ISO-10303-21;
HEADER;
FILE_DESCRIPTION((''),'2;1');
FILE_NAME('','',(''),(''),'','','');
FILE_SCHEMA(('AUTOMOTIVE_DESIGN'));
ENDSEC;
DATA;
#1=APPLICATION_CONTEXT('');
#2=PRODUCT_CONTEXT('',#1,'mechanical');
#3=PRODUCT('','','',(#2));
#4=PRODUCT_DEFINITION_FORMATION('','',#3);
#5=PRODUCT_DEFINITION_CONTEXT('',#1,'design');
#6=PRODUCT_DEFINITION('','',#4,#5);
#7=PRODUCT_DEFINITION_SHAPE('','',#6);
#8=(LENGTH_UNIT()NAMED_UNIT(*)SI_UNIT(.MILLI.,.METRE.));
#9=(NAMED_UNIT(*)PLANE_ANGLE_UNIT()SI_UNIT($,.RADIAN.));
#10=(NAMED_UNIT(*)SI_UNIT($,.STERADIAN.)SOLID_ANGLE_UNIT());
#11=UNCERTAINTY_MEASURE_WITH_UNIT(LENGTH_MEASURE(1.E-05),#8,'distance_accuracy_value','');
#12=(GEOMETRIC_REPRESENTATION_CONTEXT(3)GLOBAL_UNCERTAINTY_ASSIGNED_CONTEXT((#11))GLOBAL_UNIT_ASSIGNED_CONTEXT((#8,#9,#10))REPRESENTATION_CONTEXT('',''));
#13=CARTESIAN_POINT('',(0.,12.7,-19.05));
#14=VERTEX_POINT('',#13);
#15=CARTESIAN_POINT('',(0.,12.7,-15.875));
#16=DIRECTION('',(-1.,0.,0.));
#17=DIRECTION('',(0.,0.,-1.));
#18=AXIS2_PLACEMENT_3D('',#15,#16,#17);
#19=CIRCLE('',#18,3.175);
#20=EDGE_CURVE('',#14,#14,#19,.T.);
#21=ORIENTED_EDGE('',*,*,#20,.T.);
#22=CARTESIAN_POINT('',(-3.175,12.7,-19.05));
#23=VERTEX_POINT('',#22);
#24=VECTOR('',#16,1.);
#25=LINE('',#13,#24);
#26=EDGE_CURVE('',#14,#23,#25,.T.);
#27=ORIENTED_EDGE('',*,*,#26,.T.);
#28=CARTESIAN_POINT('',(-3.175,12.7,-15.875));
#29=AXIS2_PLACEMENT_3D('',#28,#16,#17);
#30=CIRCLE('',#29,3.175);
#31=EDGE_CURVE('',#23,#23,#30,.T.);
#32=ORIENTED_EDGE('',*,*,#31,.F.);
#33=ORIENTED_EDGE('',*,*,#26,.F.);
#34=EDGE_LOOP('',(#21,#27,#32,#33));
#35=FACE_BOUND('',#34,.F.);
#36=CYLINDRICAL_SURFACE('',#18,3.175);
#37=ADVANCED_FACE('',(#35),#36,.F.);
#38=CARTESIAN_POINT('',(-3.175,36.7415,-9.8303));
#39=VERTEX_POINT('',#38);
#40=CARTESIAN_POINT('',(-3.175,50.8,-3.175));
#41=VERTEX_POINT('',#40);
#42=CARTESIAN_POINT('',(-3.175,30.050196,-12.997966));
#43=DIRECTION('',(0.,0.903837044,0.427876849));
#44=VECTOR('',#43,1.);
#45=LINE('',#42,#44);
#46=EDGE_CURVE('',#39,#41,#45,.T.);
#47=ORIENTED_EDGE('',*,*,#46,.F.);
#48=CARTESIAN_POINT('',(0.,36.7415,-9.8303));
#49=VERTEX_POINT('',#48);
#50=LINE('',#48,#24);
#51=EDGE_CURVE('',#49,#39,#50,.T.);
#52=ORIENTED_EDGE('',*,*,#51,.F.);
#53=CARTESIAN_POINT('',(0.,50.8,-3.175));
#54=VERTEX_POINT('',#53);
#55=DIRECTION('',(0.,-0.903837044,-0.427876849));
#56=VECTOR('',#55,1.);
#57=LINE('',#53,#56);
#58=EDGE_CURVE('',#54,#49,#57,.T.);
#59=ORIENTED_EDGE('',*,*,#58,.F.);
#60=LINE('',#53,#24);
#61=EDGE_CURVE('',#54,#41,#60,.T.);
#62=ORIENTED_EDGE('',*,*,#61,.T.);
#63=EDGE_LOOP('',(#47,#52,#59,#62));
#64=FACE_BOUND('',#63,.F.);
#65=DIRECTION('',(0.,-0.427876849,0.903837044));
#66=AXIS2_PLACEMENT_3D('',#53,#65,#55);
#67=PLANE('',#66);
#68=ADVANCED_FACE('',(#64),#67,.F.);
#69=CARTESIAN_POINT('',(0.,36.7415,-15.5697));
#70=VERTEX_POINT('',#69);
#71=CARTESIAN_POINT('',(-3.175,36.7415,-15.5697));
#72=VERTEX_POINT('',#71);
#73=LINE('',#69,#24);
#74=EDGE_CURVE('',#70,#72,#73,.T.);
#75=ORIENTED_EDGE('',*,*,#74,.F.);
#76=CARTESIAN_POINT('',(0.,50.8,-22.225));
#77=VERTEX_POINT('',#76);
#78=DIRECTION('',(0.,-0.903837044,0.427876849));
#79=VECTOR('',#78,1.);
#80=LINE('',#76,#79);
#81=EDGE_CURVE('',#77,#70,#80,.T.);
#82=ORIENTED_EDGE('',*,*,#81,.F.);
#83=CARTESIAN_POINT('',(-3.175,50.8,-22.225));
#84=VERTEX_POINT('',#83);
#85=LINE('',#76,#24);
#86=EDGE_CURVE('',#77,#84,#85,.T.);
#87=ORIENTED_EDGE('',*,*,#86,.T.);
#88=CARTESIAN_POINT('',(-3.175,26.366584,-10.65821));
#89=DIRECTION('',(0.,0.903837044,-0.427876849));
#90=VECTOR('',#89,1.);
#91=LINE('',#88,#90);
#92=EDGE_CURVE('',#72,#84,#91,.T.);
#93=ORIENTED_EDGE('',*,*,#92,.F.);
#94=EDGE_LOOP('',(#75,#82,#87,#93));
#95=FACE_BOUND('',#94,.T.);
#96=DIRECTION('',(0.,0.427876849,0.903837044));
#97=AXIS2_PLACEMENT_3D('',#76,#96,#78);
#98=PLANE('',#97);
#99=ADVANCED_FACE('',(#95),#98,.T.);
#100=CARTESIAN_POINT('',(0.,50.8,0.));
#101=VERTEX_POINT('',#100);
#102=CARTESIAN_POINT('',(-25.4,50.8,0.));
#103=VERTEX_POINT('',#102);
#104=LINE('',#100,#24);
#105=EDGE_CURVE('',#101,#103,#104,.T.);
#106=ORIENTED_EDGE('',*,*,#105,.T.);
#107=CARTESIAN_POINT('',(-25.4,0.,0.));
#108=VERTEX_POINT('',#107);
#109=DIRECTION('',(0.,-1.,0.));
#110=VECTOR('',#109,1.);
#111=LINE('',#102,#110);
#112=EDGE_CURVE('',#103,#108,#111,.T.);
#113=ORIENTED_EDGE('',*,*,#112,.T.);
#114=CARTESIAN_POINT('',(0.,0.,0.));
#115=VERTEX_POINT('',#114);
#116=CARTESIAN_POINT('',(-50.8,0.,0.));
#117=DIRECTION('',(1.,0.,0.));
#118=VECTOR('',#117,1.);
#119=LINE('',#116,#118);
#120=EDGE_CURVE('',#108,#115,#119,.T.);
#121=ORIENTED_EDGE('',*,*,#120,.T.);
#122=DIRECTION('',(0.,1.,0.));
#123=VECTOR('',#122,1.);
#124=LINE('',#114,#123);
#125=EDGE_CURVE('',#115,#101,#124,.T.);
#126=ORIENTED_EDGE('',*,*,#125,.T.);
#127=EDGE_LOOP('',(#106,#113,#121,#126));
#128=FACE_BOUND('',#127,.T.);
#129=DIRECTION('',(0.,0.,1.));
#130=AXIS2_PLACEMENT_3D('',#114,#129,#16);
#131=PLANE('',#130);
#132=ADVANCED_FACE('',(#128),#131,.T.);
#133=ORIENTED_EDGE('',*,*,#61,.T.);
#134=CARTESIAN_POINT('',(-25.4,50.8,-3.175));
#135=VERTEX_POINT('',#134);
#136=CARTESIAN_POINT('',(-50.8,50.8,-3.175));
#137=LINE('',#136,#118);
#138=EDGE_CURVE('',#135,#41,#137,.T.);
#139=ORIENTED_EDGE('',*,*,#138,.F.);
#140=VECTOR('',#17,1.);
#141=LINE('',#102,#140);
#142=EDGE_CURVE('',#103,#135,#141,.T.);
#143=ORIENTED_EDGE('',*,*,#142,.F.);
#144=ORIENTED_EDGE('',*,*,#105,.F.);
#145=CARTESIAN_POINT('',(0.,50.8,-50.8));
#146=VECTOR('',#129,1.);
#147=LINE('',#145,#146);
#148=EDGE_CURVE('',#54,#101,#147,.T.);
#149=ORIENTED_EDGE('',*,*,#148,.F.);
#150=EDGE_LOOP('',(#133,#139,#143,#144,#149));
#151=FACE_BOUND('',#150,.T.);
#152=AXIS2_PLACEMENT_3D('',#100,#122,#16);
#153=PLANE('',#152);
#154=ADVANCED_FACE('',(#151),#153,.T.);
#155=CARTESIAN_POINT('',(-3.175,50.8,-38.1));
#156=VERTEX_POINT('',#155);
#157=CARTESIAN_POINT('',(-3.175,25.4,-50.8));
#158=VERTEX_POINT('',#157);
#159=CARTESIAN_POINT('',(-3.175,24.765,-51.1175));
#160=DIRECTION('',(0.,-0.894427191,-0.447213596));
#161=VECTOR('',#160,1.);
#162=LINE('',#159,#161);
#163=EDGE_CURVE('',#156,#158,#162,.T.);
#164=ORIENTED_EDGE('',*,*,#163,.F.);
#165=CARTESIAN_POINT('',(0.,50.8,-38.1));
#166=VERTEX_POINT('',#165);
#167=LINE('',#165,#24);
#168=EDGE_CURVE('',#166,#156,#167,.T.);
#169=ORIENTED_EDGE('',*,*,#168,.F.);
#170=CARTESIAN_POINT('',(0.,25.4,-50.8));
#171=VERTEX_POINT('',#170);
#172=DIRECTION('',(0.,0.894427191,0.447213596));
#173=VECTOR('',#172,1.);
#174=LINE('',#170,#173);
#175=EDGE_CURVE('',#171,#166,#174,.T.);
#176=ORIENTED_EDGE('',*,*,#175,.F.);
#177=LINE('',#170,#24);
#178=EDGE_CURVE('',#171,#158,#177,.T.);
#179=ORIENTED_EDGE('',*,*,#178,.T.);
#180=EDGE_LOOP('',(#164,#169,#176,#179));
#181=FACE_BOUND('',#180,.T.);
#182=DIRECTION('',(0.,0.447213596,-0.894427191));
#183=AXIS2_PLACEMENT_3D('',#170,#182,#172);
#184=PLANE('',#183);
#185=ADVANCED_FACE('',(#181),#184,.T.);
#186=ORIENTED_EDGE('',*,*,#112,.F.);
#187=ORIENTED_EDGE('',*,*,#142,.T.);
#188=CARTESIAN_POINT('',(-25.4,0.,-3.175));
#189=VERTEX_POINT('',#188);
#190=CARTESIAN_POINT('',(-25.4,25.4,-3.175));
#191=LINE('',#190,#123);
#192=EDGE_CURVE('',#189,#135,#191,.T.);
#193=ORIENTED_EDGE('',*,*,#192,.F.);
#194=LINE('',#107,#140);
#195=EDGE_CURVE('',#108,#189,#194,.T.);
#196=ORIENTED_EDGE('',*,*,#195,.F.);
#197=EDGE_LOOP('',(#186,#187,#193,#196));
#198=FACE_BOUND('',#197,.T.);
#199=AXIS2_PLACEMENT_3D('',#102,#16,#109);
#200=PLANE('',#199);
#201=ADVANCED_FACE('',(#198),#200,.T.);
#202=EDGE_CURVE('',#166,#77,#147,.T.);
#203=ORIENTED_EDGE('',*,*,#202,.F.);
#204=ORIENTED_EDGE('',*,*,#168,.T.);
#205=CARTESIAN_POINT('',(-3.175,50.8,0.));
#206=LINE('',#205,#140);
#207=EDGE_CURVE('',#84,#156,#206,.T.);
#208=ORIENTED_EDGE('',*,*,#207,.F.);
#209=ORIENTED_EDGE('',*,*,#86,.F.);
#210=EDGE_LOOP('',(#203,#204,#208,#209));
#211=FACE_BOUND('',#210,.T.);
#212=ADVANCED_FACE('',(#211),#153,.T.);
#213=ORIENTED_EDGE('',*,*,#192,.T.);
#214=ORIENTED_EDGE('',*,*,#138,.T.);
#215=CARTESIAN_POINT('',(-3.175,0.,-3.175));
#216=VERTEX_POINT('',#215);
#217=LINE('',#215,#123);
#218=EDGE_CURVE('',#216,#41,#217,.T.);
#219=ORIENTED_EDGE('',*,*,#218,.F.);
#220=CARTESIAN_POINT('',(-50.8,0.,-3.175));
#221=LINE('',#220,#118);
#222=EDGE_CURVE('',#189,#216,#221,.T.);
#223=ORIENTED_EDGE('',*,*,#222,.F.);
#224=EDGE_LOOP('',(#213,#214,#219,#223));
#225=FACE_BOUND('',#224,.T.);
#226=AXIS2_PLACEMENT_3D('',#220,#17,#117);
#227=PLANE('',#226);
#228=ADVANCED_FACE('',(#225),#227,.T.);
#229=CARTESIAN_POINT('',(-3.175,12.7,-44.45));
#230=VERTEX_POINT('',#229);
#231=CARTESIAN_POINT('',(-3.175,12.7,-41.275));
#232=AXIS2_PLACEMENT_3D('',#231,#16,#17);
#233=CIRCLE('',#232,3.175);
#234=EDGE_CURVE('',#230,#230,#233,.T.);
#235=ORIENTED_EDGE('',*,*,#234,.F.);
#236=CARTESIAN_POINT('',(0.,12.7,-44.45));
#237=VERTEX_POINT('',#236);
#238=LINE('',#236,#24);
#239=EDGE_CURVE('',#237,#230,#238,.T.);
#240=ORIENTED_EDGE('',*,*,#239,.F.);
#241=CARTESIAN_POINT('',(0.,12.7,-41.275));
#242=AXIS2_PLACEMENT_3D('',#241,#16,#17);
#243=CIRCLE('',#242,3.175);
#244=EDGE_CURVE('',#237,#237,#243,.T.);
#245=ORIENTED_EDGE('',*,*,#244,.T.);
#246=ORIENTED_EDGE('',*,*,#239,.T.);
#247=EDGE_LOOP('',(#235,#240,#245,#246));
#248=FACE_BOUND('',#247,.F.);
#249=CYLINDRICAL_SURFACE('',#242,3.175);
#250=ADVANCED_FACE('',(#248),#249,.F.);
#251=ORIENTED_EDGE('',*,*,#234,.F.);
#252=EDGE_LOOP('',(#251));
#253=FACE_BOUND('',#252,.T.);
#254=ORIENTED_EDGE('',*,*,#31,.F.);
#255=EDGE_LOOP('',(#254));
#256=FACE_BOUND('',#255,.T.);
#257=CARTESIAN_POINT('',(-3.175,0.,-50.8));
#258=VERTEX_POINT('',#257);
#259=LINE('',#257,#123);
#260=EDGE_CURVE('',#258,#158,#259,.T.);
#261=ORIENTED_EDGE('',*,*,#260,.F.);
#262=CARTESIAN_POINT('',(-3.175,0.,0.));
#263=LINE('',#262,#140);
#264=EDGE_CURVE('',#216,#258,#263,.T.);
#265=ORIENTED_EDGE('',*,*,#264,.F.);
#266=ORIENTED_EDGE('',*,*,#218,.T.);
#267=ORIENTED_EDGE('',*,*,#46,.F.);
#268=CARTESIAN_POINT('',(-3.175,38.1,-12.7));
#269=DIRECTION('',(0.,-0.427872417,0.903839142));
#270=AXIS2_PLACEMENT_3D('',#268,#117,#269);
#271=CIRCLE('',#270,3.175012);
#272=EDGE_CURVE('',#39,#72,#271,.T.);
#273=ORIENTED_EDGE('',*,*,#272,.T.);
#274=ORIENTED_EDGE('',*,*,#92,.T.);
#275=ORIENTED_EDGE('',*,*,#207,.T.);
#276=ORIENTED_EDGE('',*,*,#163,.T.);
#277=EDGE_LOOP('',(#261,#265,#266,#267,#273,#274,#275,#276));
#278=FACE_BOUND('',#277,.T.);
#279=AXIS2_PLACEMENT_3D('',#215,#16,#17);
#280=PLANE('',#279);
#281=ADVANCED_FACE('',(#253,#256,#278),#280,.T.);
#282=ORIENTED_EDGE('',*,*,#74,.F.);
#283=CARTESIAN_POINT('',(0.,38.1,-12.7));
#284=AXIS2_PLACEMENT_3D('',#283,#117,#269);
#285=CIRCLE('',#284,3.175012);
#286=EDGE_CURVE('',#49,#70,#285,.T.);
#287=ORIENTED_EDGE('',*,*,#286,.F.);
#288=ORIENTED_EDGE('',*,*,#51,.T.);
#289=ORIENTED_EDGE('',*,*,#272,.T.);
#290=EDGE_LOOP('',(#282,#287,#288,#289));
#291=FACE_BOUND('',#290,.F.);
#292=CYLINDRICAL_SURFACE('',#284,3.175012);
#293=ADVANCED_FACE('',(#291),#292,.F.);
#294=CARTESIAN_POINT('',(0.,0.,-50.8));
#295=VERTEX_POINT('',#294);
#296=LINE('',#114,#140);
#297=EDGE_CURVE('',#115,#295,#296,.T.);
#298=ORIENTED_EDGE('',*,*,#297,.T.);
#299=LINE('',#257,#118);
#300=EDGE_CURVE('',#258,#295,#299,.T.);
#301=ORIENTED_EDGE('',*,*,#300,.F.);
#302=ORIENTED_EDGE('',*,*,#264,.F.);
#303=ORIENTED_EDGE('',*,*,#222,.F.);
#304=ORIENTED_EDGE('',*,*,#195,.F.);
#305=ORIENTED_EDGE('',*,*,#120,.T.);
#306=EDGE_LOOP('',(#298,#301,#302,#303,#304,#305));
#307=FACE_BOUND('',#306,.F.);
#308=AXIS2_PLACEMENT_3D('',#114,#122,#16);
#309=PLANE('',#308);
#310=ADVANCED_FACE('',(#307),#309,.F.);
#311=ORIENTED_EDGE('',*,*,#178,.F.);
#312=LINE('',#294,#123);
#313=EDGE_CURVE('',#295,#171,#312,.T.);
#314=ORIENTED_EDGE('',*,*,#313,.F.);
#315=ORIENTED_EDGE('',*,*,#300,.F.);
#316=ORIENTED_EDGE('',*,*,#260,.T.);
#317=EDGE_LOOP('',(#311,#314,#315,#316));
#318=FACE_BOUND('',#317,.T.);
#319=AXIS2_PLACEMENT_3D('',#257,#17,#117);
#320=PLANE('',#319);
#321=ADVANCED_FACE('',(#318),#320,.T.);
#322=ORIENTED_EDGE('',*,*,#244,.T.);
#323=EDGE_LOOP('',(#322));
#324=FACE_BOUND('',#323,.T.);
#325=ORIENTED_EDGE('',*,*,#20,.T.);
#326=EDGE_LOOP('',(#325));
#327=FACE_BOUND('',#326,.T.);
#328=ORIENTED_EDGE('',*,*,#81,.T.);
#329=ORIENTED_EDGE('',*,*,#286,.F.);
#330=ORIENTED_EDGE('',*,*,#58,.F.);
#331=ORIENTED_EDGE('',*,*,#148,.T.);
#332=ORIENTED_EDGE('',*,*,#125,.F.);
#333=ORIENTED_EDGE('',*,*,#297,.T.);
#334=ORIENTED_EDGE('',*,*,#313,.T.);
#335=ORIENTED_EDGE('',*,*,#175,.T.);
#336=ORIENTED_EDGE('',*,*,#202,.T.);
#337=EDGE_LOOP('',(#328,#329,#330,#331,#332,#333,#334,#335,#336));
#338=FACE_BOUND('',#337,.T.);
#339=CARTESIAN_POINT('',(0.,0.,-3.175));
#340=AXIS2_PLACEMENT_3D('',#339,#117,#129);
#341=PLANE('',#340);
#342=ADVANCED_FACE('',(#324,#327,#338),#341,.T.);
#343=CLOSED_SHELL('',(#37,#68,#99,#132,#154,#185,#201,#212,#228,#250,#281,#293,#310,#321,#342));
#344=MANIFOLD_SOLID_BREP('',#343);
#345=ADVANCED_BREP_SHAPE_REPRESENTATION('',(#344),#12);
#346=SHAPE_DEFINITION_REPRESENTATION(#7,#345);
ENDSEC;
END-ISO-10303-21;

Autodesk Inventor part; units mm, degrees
ref_plane "YZ Plane" through (0, 0, 0) normal (1, 0, 0) x (0, 1, 0)
ref_plane "XZ Plane" through (0, 0, 0) normal (0, 1, 0) x (-1, 0, 0)
ref_plane "XY Plane" through (0, 0, 0) normal (0, 0, 1) x (1, 0, 0)
sketch "Sketch1" plane through (0, 0, 0) normal (0, 1, 0) x (-1, 0, 0)
  line L0 (0, 0) -> (50.8, 0)
  line L1 (50.8, 0) -> (50.8, -3.175)
  line L2 (50.8, -3.175) -> (0, -3.175)
  line L3 (0, -3.175) -> (0, 0)
  line L4 (0, 0) -> (3.175, 0)
  line L5 (3.175, 0) -> (3.175, -50.8)
  line L6 (3.175, -50.8) -> (0, -50.8)
  line L7 (0, -50.8) -> (0, 0)
  dimension "d0" = 50.8
  dimension "d1" = 3.175
  dimension "d2" = 3.175
  dimension "d3" = 50.8
extrude "Extrusion1" add sketch "Sketch1" along normal blind 50.8
sketch "Sketch2" plane through (-50.8, 0, 0) normal (0, 0, 1) x (1, 0, 0)
  line L0 (0, 50.8) -> (25.4, 50.8)
  line L1 (25.4, 50.8) -> (25.4, 0)
  line L2 (25.4, 0) -> (0, 0)
  line L3 (0, 0) -> (0, 50.8)
  point P0 (50.8, 0)
  dimension "d6" = 25.4
  dimension "d7" = 50.8
extrude "Extrusion2" cut sketch "Sketch2" against normal blind 50.8
sketch "Sketch3" plane through (0, 0, 0) normal (1, 0, 0) x (0, 0, -1)
  line L0 (0, 50.8) -> (50.8, 50.8) projected
  line L1 (0, 0) -> (0, 50.8) projected
  line L2 (0, 0) -> (50.8, 0) projected
  line L3 (50.8, 0) -> (50.8, 50.8) projected
  line L4 (3.175, 0) -> (3.175, 50.8) projected
  line L5 (0, 0) -> (3.175, 0) projected
  line L6 (0, 50.8) -> (0, 0) projected
  line L7 (3.175, 50.8) -> (0, 50.8) projected
  circle A0 centre (12.7, 38.1) radius 3.175 construction
  line L8 (3.175, 50.8) -> (9.8303, 36.7415) construction
  line L9 (0, 50.8) -> (50.8, 50.8) construction
  line L10 (22.225, 50.8) -> (15.5697, 36.7415) construction
  line L11 (3.175, 50.8) -> (9.8303, 36.7415)
  line L12 (22.225, 50.8) -> (15.5697, 36.7415)
  arc A1 (9.8303, 36.7415) -> (15.5697, 36.7415) centre (12.7, 38.1) ccw
  line L13 (3.175, 50.8) -> (22.225, 50.8)
  dimension "d10" = 6.35
  dimension "d11" = 19.05
  dimension "d12" = 9.525
  dimension "d13" = 12.7
extrude "Extrusion3" cut sketch "Sketch3" against normal blind 50.8 contours L0 L12 A1 L11
sketch "Sketch4" plane through (0, 0, 0) normal (1, 0, 0) x (0, 0, -1)
  line L0 (50.8, 50.8) -> (38.1, 50.8)
  line L1 (22.225, 50.8) -> (50.8, 50.8) projected
  line L2 (50.8, 50.8) -> (50.8, 25.4)
  line L3 (50.8, 0) -> (50.8, 50.8) projected
  line L4 (50.8, 25.4) -> (38.1, 50.8)
  point P0 (0, 0)
  dimension "d16" = 12.7
  dimension "d17" = 25.4
extrude "Extrusion4" cut sketch "Sketch4" against normal blind 50.8
sketch "Sketch5" plane through (0, 0, 0) normal (1, 0, 0) x (0, 0, -1)
  line L0 (0, 0) -> (0, 50.8) projected
  line L1 (0, 0) -> (50.8, 0) projected
  line L2 (50.8, 0) -> (50.8, 25.4) projected
  point P0 (15.875, 12.7)
  point P1 (41.275, 12.7)
  dimension "d20" = 15.875
  dimension "d21" = 12.7
  dimension "d22" = 12.7
  dimension "d23" = 9.525
hole "Hole1" at (0, 12.7, -15.875) at (0, 12.7, -41.275) direction (-1, 0, 0) diameter 6.35 end through all
properties part number "front tab 2x2" material "Aluminum 6061"
